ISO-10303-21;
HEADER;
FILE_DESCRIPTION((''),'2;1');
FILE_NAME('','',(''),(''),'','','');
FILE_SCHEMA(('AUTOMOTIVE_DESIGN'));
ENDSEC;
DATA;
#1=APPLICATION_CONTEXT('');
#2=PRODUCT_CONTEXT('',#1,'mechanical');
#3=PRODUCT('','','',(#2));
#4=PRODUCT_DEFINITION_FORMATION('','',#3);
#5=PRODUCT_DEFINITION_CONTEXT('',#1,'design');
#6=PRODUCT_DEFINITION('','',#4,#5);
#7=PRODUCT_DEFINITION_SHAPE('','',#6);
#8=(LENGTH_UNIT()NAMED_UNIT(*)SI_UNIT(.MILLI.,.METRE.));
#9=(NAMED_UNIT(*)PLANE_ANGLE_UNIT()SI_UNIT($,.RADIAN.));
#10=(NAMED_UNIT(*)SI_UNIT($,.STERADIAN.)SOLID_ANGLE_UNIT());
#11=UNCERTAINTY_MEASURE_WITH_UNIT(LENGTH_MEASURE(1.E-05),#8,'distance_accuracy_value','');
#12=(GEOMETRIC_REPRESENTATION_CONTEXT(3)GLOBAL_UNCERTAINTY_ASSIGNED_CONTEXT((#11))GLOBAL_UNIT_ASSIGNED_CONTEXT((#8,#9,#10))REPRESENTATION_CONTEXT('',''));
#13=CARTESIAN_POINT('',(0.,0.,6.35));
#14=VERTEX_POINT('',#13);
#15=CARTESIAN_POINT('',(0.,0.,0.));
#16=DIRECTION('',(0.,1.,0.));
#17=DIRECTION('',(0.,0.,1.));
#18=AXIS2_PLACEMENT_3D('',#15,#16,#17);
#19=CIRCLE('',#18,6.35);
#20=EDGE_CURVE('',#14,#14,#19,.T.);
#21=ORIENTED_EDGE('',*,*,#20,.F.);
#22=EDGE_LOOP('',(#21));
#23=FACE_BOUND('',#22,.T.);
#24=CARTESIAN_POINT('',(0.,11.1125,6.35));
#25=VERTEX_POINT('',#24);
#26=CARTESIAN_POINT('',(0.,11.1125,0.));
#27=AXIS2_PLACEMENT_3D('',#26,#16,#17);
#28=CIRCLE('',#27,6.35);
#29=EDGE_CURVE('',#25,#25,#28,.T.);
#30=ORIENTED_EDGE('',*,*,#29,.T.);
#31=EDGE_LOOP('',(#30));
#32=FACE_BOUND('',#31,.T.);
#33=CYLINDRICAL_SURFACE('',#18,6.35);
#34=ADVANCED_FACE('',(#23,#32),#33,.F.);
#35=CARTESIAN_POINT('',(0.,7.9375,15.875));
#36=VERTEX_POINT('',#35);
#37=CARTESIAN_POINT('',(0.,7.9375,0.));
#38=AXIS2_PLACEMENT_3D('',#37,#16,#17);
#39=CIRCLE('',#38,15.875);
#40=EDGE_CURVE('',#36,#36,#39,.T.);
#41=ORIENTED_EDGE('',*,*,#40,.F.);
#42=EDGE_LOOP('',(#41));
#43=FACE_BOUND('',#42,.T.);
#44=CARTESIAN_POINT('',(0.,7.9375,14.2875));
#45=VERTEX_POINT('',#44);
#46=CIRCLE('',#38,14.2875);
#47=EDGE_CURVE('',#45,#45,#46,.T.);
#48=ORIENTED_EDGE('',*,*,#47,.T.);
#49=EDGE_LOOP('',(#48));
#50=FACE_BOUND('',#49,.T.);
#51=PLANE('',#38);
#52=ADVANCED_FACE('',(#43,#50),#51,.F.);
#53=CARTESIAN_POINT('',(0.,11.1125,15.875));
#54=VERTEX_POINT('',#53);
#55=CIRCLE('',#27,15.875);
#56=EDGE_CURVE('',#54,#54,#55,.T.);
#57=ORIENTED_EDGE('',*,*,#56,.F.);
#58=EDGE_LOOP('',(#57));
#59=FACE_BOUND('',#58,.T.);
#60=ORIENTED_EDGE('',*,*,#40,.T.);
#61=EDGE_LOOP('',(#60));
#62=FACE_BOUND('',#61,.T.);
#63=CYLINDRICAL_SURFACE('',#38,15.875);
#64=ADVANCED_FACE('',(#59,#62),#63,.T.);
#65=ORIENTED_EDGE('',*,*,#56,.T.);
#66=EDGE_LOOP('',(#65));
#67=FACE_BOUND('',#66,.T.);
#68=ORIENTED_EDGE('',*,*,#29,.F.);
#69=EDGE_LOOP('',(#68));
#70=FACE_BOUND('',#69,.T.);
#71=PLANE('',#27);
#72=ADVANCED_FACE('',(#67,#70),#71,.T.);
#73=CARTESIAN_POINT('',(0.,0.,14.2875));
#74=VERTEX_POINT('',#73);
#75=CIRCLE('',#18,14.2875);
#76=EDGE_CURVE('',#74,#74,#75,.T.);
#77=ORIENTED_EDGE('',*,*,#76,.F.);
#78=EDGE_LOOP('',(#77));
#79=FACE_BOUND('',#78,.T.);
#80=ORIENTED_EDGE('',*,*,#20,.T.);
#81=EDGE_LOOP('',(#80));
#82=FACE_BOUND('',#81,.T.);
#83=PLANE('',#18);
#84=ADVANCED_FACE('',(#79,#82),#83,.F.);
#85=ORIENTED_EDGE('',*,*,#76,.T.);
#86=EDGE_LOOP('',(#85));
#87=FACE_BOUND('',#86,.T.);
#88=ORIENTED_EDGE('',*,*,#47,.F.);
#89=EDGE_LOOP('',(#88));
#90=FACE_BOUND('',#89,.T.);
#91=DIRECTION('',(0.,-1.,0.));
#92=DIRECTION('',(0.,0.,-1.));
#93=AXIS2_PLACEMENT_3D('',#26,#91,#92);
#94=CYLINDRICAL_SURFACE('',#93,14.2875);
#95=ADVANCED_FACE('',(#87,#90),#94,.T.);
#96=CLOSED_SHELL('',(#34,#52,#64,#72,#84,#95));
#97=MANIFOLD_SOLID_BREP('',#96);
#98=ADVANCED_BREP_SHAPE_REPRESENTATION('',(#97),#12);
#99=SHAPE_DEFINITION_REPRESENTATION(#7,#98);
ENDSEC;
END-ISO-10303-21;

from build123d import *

# Parameters (mm, degrees)
SKETCH1_R           = 14.2875
BOSS_EXTRUDE1_DEPTH = 11.1125
SKETCH2_R           = 15.875
BOSS_EXTRUDE2_DEPTH = 3.175
SKETCH3_R           = 6.35
CUT_EXTRUDE1_DEPTH  = 26.050327468


with BuildPart() as part:
    # Sketch1 → Boss-Extrude1 (new body)
    with BuildSketch(Plane(origin=(0, 0, 0), x_dir=(1, 0, 0), z_dir=(0, 1, 0))):
        with Locations(Location((0, 0, 0), (0, 0, 270))):
            Circle(SKETCH1_R)
    extrude(amount=BOSS_EXTRUDE1_DEPTH)

    # Sketch2 → Boss-Extrude2 (add)
    with BuildSketch(Plane(origin=(0, 11.1125, 0), x_dir=(1, 0, 0), z_dir=(0, 1, 0))):
        with Locations(Location((0, 0, 0), (0, 0, 270))):
            Circle(SKETCH2_R)
    extrude(amount=-BOSS_EXTRUDE2_DEPTH)

    # Sketch3 → Cut-Extrude1 (cut, through all)
    with BuildSketch(Plane(origin=(0, 11.1125, 0), x_dir=(1, 0, 0), z_dir=(0, 1, 0))):
        with Locations(Location((0, 0, 0), (0, 0, 270))):
            Circle(SKETCH3_R)
    extrude(amount=-CUT_EXTRUDE1_DEPTH, mode=Mode.SUBTRACT)


solid = part.part
